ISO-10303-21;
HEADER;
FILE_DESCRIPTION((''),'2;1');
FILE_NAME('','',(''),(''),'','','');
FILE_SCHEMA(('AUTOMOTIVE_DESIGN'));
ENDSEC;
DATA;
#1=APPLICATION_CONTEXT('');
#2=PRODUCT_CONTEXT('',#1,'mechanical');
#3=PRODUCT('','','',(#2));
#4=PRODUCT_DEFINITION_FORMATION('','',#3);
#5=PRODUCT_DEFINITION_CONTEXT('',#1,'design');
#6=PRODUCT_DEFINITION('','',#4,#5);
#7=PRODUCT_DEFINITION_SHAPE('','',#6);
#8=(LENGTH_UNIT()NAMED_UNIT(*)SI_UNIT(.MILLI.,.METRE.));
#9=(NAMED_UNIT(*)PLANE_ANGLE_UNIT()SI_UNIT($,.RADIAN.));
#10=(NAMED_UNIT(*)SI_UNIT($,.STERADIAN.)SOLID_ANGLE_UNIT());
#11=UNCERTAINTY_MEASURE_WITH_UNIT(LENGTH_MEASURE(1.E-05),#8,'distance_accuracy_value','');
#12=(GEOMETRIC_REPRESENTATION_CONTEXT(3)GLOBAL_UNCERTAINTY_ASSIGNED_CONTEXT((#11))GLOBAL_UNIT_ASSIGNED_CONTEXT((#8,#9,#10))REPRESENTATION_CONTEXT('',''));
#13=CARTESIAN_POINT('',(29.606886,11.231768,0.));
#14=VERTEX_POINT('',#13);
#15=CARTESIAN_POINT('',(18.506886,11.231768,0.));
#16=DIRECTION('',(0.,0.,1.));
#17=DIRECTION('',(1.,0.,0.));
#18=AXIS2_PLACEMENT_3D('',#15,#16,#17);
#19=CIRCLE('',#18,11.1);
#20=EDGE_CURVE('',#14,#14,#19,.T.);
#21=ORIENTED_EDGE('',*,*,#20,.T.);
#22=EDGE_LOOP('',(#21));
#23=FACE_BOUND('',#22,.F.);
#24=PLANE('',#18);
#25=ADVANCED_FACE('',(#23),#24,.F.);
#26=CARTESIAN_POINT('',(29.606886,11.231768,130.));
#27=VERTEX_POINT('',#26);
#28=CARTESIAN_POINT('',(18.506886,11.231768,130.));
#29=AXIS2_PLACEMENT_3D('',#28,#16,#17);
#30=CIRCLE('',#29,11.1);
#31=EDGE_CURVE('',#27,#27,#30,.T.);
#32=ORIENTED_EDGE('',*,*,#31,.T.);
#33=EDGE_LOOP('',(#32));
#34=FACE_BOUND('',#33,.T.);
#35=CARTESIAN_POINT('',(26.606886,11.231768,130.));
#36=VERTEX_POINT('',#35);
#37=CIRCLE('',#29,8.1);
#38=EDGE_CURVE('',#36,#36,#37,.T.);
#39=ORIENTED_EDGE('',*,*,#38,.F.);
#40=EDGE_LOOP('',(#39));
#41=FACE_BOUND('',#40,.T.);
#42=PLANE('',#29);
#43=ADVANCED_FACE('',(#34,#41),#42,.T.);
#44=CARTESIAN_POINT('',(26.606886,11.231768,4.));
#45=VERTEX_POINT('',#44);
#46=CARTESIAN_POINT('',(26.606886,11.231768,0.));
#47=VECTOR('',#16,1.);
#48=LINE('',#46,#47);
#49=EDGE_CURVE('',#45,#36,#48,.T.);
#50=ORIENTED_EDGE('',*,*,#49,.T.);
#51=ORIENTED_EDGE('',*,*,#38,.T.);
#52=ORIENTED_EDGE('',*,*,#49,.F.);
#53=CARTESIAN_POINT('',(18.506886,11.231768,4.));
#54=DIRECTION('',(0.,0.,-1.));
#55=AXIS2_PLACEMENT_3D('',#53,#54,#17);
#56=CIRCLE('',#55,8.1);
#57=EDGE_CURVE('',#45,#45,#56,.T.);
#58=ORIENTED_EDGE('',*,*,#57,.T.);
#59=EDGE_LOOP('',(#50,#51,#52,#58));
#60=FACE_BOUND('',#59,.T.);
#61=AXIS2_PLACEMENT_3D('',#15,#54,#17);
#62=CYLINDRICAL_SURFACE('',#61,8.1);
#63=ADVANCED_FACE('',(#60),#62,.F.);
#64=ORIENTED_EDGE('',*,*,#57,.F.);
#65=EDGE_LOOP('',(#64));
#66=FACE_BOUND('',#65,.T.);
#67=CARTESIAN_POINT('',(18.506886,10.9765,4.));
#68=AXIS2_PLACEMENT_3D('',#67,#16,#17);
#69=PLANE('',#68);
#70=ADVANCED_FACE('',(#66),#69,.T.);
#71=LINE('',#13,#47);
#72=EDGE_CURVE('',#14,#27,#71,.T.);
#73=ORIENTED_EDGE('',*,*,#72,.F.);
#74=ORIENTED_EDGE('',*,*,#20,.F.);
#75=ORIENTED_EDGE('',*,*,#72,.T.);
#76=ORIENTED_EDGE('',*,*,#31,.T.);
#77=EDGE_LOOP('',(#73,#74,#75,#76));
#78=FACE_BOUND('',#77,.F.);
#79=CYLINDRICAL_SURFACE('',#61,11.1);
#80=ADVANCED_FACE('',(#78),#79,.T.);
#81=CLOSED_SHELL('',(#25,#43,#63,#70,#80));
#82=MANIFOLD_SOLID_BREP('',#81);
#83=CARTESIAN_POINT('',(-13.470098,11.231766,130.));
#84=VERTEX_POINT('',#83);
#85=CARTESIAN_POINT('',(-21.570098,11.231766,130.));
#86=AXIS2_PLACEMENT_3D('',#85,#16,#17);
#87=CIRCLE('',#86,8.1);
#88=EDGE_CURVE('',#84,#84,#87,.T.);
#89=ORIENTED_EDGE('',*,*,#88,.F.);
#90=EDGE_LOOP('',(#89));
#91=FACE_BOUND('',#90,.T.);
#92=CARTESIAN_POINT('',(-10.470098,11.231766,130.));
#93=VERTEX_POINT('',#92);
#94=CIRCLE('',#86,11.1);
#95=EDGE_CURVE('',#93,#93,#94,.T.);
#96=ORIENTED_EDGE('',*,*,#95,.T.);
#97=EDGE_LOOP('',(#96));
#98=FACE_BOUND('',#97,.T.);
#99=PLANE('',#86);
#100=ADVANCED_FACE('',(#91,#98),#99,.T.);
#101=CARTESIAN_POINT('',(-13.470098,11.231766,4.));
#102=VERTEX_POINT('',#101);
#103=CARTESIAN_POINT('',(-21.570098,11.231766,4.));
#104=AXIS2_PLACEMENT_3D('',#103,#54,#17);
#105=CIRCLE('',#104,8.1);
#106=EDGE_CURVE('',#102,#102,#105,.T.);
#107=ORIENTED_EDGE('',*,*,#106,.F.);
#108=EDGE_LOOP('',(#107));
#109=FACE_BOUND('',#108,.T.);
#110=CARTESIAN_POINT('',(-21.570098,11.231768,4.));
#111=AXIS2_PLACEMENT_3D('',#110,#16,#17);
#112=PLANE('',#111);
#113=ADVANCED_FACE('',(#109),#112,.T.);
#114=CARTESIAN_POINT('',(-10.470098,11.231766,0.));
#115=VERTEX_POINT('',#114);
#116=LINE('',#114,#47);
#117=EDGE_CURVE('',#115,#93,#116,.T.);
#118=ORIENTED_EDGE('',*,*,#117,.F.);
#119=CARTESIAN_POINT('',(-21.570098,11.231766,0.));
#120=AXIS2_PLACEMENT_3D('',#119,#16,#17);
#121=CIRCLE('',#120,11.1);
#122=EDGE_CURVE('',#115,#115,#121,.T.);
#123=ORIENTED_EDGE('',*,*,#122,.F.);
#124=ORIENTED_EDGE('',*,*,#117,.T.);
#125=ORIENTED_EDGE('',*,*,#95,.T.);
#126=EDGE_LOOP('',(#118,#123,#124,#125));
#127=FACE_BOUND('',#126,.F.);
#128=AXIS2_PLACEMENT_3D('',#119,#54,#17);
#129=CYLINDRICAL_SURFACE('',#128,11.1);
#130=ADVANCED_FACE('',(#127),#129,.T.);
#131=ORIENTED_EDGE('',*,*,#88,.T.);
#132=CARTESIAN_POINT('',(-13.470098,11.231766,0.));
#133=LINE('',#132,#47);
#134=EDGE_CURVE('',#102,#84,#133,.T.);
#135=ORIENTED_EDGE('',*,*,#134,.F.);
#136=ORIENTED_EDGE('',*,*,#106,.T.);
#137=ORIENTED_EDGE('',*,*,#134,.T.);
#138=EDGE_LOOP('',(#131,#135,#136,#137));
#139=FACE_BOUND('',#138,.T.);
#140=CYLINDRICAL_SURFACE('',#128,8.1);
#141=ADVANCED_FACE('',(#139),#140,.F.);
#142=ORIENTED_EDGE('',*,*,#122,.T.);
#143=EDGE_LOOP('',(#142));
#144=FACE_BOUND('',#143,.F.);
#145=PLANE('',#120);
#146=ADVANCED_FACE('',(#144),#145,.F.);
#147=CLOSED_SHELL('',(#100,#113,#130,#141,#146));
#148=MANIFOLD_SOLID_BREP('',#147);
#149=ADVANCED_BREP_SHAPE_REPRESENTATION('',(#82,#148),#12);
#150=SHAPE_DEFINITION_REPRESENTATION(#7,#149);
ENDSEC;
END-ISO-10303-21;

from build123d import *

# Parameters (mm, degrees)
F0_R     = 11.1
F0_R_2   = 8.1
F1_DEPTH = 130
F2_DEPTH = 130
F3_R     = 9.39300938
F4_DEPTH = 4


with BuildPart() as f1:
    # F0 (on Top) → F1 (new body)
    with BuildSketch(Plane.XY):
        with Locations((-21.5700976551, 11.2317660823)):
            Circle(F0_R)
        with Locations((-21.5700976551, 11.2317660823)):
            Circle(F0_R_2, mode=Mode.SUBTRACT)
    extrude(amount=F1_DEPTH)

    # F0 (on Top) → F2 (join)
    with BuildSketch(Plane.XY):
        with Locations((-21.5700976551, 11.2317660823)):
            Circle(F0_R)
        with Locations((-21.5700976551, 11.2317660823)):
            Circle(F0_R_2, mode=Mode.SUBTRACT)
    extrude(amount=F2_DEPTH)

    # F3 (on Top) → F4, piece 2 (join)
    with BuildSketch(Plane.XY):
        with Locations((-21.5700976551, 11.231767945)):
            Circle(F3_R)
    extrude(amount=F4_DEPTH)


with BuildPart() as f2:
    # F0 (on Top) → F2, piece 2 (new body)
    with BuildSketch(Plane.XY):
        with Locations((18.5068864375, 11.231767945)):
            Circle(F0_R)
        with Locations((18.5068864375, 11.231767945)):
            Circle(F0_R_2, mode=Mode.SUBTRACT)
    extrude(amount=F2_DEPTH)

    # F3 (on Top) → F4 (join)
    with BuildSketch(Plane.XY):
        with Locations((18.5068864375, 10.9764998779)):
            Circle(F3_R)
    extrude(amount=F4_DEPTH)


solid = Compound([f1.part, f2.part])
